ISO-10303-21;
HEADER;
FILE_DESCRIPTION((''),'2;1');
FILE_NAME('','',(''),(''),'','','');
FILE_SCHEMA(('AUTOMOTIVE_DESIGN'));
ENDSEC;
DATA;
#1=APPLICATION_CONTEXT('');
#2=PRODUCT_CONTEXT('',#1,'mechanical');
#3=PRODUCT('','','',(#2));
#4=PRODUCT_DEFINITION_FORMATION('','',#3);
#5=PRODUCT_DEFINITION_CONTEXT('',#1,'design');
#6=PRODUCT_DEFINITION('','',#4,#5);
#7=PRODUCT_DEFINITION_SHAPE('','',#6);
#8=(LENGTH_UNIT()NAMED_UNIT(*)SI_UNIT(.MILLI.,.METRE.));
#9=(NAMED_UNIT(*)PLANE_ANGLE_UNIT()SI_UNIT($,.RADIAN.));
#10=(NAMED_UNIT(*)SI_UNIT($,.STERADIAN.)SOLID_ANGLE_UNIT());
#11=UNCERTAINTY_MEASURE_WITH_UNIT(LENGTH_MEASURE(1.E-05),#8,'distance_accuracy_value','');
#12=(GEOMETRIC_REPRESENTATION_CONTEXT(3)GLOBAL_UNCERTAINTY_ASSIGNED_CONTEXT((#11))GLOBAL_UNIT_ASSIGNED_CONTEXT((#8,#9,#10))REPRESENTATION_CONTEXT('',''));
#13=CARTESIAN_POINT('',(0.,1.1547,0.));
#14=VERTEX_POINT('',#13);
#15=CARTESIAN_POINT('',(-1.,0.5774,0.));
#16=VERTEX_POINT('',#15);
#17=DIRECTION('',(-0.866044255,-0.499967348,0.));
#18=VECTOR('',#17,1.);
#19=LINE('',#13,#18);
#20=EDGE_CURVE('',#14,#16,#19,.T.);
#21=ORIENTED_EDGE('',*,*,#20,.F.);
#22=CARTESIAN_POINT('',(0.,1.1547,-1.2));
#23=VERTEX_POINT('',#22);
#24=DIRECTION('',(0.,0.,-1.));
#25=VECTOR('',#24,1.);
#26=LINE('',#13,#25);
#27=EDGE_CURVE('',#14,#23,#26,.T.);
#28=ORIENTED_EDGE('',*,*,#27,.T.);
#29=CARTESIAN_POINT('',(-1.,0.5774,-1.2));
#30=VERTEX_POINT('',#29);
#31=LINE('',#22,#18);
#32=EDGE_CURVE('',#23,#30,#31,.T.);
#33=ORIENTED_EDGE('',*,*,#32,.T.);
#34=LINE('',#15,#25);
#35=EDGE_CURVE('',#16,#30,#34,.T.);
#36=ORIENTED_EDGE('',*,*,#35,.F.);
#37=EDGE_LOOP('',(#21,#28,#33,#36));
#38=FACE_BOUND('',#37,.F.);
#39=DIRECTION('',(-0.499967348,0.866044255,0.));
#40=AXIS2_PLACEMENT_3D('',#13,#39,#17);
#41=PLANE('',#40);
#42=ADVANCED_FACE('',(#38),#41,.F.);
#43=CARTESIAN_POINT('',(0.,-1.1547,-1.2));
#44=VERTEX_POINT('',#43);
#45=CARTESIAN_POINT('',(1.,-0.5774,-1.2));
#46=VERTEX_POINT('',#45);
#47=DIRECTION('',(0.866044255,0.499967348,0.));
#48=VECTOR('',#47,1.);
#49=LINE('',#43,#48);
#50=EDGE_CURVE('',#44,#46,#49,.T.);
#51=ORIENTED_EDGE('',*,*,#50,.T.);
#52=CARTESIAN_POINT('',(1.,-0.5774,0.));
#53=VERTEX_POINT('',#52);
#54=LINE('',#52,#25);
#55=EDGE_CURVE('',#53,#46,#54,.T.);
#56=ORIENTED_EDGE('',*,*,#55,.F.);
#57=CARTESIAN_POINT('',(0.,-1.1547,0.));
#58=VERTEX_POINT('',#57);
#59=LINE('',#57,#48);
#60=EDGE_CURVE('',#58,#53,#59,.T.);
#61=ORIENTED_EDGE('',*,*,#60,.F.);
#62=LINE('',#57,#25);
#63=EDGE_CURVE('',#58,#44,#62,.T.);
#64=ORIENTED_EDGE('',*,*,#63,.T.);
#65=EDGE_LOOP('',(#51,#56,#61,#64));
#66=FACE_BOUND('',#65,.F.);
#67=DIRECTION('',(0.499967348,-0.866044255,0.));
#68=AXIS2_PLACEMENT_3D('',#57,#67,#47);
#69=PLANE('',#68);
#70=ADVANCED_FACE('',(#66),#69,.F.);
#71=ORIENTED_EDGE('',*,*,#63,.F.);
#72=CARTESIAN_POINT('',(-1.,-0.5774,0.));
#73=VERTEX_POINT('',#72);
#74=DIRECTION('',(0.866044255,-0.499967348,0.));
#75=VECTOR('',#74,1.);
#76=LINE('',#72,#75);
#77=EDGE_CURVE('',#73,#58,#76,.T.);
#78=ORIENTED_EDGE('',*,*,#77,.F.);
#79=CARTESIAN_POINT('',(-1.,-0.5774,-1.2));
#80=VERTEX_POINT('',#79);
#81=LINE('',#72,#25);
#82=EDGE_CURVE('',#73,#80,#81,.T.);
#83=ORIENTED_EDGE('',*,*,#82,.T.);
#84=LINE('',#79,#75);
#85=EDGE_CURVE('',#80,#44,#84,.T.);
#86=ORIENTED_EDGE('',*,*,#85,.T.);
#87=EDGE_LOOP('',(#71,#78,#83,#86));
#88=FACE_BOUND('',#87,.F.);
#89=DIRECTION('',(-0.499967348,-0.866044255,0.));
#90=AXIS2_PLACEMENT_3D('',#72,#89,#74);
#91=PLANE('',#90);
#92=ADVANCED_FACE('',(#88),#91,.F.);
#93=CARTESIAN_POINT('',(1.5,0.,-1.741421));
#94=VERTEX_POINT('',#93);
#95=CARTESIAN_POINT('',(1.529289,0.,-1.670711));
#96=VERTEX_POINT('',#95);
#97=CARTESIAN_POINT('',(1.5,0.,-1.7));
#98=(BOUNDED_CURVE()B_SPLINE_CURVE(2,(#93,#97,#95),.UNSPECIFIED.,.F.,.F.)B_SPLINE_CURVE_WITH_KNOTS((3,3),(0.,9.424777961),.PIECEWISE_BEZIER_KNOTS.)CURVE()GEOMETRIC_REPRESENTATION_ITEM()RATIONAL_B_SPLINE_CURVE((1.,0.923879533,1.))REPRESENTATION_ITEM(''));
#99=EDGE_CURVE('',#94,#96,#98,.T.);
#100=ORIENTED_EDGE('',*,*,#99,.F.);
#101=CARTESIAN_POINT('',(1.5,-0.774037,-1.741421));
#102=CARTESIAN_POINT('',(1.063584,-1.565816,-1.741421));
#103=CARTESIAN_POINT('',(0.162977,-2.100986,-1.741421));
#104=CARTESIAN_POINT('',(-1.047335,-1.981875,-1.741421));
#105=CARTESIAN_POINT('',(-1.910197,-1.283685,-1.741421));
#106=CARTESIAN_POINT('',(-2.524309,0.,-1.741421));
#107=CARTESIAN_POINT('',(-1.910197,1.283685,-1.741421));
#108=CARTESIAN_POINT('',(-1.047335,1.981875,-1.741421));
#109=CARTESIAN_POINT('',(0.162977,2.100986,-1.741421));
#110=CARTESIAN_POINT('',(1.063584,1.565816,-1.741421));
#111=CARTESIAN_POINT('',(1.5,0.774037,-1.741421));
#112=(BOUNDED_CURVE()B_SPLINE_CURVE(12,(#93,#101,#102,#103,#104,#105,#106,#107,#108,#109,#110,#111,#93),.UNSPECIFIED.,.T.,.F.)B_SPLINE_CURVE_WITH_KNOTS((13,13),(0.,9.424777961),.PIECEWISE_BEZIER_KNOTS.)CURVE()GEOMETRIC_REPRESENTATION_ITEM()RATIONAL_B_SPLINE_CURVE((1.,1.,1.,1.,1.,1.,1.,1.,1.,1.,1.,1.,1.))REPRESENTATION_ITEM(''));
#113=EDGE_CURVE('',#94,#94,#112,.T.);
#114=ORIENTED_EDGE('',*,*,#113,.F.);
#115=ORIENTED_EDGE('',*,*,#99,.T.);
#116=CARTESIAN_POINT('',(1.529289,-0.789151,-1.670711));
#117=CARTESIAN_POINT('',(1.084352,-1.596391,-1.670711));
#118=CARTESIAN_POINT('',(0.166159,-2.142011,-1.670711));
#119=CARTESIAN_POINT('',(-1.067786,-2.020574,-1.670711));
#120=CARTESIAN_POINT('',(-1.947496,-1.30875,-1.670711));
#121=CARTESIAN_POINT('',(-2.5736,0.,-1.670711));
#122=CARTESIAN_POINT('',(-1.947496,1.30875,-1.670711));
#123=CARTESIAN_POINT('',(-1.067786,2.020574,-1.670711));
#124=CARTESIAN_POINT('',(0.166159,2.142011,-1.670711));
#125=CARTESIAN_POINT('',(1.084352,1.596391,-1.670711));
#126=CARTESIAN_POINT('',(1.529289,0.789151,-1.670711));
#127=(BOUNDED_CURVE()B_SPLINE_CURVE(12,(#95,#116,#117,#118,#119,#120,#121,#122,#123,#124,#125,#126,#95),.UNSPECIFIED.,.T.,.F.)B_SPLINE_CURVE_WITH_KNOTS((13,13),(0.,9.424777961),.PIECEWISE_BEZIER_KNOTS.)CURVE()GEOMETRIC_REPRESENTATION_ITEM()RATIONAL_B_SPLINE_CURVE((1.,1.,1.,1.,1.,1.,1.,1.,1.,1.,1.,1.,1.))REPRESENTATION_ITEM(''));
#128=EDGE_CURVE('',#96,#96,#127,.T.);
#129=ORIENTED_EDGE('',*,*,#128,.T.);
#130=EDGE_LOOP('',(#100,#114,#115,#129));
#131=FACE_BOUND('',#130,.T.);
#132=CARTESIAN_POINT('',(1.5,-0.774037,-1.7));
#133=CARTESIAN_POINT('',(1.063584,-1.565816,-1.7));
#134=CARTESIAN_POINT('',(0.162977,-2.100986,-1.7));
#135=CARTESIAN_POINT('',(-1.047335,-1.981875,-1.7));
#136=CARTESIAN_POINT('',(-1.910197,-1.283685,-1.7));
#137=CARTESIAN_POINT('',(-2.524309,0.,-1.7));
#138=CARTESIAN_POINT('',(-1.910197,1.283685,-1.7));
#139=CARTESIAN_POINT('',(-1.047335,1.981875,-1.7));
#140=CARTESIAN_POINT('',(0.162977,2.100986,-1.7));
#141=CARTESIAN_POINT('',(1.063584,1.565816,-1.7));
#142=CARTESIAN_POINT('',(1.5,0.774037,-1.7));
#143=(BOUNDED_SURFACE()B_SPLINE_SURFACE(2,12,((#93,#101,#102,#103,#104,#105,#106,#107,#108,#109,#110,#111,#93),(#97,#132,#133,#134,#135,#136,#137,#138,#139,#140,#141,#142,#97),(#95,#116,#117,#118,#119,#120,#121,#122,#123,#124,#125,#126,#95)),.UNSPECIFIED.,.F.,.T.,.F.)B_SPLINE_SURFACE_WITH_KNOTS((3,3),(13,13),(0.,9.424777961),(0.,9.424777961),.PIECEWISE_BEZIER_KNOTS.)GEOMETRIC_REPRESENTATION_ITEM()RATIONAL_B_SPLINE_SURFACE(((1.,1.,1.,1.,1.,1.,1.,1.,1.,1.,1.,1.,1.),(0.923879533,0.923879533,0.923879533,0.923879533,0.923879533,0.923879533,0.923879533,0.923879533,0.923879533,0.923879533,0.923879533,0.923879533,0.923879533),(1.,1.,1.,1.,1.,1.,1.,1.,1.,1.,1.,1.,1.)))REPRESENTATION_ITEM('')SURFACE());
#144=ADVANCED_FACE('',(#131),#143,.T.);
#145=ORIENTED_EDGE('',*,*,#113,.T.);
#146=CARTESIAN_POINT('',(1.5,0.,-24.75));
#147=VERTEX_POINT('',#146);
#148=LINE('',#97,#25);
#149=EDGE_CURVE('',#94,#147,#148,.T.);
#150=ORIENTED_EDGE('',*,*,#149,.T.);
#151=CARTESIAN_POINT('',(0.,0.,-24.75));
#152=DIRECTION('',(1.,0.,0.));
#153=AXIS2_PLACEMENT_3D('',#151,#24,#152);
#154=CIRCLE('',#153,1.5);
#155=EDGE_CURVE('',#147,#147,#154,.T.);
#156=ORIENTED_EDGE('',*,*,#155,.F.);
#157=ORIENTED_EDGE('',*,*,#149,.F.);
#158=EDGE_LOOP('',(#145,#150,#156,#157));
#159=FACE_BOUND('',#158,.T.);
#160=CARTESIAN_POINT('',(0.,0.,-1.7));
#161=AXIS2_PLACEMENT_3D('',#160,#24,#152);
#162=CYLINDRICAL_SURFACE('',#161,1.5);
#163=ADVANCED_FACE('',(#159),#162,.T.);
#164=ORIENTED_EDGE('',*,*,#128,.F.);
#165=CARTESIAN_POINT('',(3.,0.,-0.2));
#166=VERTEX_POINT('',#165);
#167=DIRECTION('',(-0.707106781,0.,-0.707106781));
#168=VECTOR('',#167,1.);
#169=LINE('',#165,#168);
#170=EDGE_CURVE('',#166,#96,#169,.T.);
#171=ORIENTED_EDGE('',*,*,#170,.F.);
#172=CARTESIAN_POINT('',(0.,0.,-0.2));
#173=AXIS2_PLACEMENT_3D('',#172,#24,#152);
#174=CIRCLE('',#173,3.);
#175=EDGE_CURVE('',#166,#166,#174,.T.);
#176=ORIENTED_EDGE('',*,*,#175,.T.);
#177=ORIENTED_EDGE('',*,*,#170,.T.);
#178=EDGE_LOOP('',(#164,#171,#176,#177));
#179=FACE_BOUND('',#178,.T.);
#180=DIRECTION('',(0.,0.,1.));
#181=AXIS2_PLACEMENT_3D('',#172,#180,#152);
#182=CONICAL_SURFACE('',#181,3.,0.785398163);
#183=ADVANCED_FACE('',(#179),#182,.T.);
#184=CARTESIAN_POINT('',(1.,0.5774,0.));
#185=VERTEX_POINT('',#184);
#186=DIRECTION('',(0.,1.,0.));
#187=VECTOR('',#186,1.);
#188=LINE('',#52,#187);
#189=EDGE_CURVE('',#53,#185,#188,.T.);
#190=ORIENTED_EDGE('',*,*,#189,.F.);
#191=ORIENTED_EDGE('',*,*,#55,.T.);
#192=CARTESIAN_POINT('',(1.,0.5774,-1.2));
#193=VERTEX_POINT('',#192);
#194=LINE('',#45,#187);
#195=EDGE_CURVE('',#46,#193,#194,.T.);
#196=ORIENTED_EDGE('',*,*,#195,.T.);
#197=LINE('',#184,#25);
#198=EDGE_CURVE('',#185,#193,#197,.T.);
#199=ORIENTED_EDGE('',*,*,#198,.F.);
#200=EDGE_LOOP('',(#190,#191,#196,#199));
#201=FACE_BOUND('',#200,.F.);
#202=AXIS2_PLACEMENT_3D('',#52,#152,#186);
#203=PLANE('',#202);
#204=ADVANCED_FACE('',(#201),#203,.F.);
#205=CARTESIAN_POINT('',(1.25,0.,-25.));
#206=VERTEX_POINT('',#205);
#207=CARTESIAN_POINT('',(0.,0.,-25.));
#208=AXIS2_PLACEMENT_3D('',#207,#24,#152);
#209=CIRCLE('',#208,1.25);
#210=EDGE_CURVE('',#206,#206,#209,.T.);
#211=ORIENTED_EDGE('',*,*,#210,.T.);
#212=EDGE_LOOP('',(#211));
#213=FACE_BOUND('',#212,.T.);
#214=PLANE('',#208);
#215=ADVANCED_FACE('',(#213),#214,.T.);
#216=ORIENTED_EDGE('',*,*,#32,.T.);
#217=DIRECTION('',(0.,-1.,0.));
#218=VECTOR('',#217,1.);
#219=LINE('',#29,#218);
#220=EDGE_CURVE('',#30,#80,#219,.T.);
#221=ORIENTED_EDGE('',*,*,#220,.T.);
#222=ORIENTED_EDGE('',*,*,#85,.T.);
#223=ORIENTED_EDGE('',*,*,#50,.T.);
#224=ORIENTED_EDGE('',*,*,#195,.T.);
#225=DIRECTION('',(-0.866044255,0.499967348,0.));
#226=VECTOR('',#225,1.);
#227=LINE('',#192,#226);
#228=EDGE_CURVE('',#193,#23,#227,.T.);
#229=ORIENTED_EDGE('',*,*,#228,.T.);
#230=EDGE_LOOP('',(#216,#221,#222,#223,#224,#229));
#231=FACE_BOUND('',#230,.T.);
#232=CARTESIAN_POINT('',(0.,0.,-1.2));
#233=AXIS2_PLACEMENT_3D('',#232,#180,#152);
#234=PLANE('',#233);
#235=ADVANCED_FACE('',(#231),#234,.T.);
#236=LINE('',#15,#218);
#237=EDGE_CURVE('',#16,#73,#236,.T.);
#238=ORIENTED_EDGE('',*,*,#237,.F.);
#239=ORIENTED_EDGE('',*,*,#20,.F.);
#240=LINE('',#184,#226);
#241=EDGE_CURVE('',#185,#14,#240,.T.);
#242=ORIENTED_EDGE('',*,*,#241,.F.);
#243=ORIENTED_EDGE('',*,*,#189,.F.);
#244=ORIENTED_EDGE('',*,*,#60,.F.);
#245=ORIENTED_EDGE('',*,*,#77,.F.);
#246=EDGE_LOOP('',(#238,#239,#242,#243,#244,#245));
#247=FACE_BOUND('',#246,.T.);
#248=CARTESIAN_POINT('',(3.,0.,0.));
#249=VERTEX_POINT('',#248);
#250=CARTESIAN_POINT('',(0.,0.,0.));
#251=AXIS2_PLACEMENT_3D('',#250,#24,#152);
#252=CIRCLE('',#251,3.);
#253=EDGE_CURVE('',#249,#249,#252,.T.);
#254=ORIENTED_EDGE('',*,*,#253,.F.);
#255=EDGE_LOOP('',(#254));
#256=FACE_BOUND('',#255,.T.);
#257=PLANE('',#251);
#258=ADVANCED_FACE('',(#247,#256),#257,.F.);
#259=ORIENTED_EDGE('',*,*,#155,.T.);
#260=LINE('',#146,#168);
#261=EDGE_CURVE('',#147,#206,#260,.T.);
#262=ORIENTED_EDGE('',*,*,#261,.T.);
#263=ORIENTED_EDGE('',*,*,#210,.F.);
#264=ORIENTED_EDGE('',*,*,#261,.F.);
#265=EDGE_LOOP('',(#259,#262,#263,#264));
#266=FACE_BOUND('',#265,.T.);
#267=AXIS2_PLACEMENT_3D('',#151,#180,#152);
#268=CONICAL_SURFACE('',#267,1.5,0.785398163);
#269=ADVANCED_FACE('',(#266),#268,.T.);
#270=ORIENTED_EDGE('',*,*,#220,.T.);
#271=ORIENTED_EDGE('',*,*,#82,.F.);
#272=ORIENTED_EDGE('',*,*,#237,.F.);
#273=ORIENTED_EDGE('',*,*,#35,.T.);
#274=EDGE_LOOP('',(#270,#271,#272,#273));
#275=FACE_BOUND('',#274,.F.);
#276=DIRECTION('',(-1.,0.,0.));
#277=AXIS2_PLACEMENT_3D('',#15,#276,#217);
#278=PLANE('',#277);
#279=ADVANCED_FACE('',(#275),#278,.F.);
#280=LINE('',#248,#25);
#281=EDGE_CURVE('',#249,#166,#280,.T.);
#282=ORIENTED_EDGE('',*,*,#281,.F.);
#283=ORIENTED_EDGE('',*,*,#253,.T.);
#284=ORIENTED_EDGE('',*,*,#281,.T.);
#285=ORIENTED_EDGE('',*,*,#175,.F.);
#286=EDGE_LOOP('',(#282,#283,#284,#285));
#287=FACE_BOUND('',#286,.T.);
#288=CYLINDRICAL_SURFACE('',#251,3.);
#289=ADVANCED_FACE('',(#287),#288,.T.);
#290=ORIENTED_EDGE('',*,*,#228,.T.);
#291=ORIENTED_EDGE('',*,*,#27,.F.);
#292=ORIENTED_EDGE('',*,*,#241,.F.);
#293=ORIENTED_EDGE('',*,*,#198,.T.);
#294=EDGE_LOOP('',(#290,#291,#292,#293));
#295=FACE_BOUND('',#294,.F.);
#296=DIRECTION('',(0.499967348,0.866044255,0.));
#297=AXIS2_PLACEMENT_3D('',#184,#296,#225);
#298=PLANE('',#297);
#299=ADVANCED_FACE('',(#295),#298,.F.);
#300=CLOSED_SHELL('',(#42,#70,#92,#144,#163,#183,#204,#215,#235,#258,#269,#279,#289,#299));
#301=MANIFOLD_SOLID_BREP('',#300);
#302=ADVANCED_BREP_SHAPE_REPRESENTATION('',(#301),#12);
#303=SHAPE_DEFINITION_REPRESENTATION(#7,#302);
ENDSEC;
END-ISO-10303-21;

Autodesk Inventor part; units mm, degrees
ref_plane "YZ Plane" through (0, 0, 0) normal (1, 0, 0) x (0, 1, 0)
sketch "Skizze1" plane through (0, 0, 0) normal (0, 1, 0) x (-1, 0, 0)
  point P0 (0, 0)
sketch "Skizze2" plane through (0, 0, 0) normal (0, 1, 0) x (-1, 0, 0)
  line L0 (-1.5, -25) -> (0, -25)
  line L1 (-1.5, -1.7) -> (-1.5, -25)
  line L2 (-3, -0.2) -> (-1.5, -1.7)
  line L3 (-3, 0) -> (-3, -0.2)
  line L4 (0, 0) -> (-3, 0)
  line L5 (0, -25) -> (0, 0)
  line L6 (0, -25) -> (0, 0)
  line L7 (0, -30) -> (0, 5) projected
  line L8 (0.6, 0) -> (-3.6, 0) projected
  dimension "d3" = 3
  dimension "d5" = 1.5
  dimension "d7" = 25
  dimension "ParC" = 0.2
  dimension "d22" = 0
  dimension "d23" = 0
  dimension "d43" = 45
revolve "Drehung1" add sketch "Skizze2" angle 360 about axis through (0, 0, -25) along (0, 0, -1)
sketch "Skizze3" plane through (0, 0, 0) normal (0, 0, 1) x (1, 0, 0)
  line L0 (-1, 0.5774) -> (-1, -0.5774)
  line L1 (0, 1.1547) -> (-1, 0.5774)
  line L2 (1, 0.5774) -> (0, 1.1547)
  line L3 (1, -0.5774) -> (1, 0.5774)
  line L4 (0, -1.1547) -> (1, -0.5774)
  line L5 (-1, -0.5774) -> (0, -1.1547)
  circle A0 centre (0, 0) radius 1 construction
  circle A1 centre (0, 0) radius 1.5 construction
  dimension "d11" = 2
  dimension "d13" = 120
  dimension "d15" = 120
extrude "Extrusion1" cut sketch "Skizze3" against normal blind 1.2
fillet "Rundung1" radius 0.1 1 edges at (-1.5, 0, -1.7)
chamfer "Fase1" distance 0.25 angle 45 1 edges at (-1.5, 0, -25) measured on face at (1.4041, 0.5277, -17.2471)
thread "Gewinde1" size "M3x0.5" class "6g" standard "ISO Metric profile" length 12
ref_plane "MSC_PF1" through (0, 0, 0) normal (1, 0, 0) x (0, 1, 0)
ref_plane "MSC_PT1" through (0, 0, 0) normal (0, 0, -1) x (-1, 0, 0)
equation "\"d3\" = 0.5 * dk"
equation "\"d5\" = 0.5 * NND"
equation "\"d7\" = NLG"
equation "\"d43\" = 0.5 * ang"
equation "\"d11\" = ParS"
equation "\"d16\" = ParT"
equation "\"d18\" = r"
equation "\"d19\" = 0.5 * PTC"
equation "\"d39\" = 0.5 * PTC"
equation "\"NND\" = 3"
equation "\"PTC\" = 0.5"
equation "\"dk\" = 6"
equation "\"ParK\" = 1.7"
equation "\"ParS\" = 2"
equation "\"ParT\" = 1.2"
equation "\"r\" = 0.1"
equation "\"NLG\" = 25"
equation "\"ang\" = 90deg"
equation "\"THREADDIA\" = NND"
properties part number "DIN 7991 - M3x25" material "Stahl, weich"
